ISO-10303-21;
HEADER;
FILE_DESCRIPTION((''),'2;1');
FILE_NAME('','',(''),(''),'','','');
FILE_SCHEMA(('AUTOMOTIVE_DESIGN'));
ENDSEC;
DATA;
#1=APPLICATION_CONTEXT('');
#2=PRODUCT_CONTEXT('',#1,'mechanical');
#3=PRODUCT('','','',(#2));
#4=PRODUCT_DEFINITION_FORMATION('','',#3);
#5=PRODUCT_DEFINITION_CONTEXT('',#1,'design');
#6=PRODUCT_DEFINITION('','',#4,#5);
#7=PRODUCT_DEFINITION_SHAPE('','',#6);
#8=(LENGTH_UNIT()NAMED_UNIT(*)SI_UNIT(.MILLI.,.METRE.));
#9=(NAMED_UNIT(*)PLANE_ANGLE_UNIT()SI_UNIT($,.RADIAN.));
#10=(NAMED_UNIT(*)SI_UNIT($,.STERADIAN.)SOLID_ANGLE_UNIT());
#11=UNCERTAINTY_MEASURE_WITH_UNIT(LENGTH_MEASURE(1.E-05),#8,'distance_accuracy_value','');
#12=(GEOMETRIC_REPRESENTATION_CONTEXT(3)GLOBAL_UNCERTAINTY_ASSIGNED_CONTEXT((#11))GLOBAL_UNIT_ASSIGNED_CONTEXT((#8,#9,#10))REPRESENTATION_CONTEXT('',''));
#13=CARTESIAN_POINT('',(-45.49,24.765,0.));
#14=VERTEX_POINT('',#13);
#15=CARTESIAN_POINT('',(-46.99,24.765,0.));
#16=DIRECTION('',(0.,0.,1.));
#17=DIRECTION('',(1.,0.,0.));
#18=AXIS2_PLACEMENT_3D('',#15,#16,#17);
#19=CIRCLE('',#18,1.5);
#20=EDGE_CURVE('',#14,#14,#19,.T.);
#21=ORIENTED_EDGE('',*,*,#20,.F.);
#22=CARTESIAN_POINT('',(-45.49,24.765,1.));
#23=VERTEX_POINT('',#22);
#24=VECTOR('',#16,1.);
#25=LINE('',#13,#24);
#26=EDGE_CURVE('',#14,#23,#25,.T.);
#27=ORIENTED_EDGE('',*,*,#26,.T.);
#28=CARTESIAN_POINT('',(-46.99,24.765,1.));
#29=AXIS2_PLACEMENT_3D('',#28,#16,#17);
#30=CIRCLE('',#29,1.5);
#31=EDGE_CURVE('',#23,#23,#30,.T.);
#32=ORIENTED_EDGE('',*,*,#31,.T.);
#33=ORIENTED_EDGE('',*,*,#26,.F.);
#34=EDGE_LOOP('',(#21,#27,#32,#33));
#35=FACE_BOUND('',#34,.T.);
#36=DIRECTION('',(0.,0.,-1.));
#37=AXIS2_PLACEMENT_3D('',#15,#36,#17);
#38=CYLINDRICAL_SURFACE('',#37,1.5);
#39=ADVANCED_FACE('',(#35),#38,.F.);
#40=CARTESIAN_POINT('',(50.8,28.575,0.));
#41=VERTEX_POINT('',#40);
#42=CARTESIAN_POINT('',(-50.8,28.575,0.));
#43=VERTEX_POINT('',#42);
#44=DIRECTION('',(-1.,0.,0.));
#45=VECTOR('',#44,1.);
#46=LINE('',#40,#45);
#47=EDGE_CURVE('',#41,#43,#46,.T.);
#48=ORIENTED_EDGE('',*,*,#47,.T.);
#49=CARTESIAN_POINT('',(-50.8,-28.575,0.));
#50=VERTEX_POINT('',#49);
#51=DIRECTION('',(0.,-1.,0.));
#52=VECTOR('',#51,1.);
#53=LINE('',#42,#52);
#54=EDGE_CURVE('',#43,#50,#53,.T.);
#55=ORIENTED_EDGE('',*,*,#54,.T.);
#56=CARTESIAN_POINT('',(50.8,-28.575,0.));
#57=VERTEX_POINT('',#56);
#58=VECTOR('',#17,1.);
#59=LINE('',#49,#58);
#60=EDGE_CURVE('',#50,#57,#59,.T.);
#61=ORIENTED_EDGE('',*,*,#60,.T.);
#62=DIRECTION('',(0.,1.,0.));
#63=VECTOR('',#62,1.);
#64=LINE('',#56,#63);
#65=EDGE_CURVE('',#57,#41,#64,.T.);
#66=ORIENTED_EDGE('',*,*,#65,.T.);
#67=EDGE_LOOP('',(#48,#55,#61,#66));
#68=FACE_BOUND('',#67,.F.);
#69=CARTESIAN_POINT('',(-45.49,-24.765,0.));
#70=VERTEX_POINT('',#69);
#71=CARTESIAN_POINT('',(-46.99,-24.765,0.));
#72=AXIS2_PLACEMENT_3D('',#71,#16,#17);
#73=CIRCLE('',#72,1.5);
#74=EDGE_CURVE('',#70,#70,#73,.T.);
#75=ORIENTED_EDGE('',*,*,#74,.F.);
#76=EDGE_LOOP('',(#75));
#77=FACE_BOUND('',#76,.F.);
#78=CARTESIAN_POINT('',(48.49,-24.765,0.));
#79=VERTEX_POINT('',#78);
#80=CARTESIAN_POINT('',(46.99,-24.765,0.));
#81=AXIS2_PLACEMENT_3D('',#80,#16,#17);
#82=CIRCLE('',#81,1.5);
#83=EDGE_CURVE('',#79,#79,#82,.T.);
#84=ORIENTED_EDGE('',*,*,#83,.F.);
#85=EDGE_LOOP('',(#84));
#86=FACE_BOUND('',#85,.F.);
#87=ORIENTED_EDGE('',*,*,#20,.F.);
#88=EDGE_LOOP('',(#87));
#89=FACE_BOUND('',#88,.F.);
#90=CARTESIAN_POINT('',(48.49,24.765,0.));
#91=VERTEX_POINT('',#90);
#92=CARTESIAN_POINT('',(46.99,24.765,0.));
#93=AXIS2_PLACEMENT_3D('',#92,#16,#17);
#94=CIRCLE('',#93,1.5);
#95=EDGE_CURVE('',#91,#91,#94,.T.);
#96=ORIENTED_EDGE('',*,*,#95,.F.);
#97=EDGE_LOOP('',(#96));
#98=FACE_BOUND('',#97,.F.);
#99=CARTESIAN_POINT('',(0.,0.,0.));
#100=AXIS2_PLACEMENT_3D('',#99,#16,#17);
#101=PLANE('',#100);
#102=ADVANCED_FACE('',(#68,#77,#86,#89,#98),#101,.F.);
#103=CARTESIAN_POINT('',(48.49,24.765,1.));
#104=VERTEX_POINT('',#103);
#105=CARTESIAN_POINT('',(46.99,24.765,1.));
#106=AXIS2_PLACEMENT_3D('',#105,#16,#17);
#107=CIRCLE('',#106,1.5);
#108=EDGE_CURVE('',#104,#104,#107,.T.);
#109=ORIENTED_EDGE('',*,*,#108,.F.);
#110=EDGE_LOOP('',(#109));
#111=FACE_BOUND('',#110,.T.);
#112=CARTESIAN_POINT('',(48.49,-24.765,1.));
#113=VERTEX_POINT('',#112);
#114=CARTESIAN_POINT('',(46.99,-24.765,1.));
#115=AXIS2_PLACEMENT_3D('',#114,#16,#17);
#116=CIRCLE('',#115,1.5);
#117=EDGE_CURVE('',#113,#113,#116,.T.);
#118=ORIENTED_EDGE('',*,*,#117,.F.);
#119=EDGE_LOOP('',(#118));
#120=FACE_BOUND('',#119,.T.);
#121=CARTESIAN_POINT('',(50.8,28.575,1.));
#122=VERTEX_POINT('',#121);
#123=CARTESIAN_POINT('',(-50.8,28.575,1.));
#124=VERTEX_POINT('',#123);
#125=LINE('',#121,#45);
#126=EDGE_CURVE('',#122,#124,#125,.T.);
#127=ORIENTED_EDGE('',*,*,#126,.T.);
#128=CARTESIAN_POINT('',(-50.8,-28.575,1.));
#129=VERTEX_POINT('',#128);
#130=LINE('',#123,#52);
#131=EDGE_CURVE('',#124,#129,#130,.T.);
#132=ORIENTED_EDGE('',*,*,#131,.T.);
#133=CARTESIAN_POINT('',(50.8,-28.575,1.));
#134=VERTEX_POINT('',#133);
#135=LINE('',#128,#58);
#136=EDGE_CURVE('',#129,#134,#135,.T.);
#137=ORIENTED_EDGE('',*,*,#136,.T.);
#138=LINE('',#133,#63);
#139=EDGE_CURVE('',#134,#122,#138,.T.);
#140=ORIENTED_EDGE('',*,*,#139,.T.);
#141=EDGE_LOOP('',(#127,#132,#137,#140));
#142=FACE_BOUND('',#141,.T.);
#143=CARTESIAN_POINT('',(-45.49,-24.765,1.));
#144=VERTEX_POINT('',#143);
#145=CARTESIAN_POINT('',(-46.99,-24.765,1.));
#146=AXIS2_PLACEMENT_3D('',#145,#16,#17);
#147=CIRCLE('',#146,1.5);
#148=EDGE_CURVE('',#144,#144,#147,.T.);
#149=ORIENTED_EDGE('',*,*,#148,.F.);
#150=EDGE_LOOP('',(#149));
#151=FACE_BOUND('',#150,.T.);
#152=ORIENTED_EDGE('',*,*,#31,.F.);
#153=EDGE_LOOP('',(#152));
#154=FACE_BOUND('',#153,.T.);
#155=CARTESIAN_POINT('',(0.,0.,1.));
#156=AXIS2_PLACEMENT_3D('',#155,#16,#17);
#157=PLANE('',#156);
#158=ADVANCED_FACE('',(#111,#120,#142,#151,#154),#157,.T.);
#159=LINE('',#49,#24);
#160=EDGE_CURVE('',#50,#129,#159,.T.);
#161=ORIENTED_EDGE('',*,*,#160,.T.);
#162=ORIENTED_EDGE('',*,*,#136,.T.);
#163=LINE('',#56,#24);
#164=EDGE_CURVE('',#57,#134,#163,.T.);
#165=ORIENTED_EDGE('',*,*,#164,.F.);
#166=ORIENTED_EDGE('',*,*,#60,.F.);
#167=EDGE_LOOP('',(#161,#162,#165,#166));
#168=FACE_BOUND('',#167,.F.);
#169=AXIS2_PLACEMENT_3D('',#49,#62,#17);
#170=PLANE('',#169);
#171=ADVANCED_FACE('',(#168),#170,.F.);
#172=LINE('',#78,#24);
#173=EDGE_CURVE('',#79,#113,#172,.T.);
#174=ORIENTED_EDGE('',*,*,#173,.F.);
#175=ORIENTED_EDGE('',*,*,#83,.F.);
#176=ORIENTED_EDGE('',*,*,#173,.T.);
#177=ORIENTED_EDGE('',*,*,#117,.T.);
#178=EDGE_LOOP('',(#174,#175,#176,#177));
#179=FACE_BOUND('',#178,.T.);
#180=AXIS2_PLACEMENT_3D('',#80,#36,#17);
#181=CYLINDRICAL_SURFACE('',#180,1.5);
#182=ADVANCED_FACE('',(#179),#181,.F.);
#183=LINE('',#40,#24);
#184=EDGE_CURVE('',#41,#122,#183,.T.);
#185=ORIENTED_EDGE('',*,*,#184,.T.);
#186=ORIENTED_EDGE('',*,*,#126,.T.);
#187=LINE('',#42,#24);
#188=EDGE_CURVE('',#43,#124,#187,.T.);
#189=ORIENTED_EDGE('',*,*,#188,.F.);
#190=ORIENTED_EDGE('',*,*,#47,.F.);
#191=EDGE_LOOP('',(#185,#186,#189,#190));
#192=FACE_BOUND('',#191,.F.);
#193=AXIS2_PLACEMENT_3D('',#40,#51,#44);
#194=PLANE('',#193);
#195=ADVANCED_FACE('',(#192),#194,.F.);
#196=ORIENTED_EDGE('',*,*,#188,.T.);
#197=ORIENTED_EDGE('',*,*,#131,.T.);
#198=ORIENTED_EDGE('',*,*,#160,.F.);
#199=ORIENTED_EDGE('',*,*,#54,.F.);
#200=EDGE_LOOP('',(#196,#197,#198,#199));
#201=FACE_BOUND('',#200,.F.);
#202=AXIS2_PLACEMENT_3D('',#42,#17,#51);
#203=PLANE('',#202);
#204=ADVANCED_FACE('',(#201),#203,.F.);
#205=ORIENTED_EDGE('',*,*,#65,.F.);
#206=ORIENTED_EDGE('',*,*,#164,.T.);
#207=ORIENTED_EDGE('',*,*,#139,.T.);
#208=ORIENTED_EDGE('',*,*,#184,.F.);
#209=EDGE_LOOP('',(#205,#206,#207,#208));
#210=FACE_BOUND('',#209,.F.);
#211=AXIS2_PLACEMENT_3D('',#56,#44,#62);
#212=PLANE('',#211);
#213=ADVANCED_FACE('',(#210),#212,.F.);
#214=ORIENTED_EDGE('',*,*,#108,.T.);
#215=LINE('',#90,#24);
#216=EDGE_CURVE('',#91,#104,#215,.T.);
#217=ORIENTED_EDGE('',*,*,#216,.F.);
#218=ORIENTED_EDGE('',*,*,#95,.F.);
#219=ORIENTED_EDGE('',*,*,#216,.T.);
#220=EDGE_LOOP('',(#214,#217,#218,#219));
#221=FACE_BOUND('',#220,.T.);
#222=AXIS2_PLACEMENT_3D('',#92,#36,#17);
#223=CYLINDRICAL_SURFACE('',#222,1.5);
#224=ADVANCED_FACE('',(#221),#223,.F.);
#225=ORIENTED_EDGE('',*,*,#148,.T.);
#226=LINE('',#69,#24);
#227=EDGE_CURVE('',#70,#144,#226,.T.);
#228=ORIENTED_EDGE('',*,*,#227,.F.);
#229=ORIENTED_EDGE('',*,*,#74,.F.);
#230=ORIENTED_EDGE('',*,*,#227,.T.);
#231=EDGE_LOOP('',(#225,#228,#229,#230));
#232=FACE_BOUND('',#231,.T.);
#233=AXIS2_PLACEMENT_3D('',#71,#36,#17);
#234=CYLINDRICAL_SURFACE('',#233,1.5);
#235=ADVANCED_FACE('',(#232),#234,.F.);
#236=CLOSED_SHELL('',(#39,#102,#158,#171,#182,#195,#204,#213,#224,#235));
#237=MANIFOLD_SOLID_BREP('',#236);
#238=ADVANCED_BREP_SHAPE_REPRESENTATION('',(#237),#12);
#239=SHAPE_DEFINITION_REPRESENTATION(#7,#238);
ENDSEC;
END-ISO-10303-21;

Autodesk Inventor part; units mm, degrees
ref_plane "YZ Plane" through (0, 0, 0) normal (1, 0, 0) x (0, 1, 0)
ref_plane "XZ Plane" through (0, 0, 0) normal (0, 1, 0) x (-1, 0, 0)
ref_plane "XY Plane" through (0, 0, 0) normal (0, 0, 1) x (1, 0, 0)
sketch "Sketch1" plane through (0, 0, 0) normal (0, 0, 1) x (1, 0, 0)
  line L0 (-50.8, -28.575) -> (50.8, -28.575)
  line L1 (50.8, -28.575) -> (50.8, 28.575)
  line L2 (50.8, 28.575) -> (-50.8, 28.575)
  line L3 (-50.8, 28.575) -> (-50.8, -28.575)
  line L4 (-50.8, -28.575) -> (50.8, 28.575) construction
  line L5 (50.8, -28.575) -> (-50.8, 28.575) construction
  circle A0 centre (-46.99, 24.765) radius 1.5
  line L6 (-50.8, 0) -> (50.8, 0) construction
  line L7 (0, 28.575) -> (0, -28.575) construction
  circle A1 centre (-46.99, -24.765) radius 1.5
  circle A2 centre (46.99, 24.765) radius 1.5
  circle A3 centre (46.99, -24.765) radius 1.5
  point P0 (0, 0)
  dimension "d2" = 101.6
  dimension "d4" = 57.15
  dimension "d5" = 49.53
  dimension "d6" = 3
  dimension "d7" = 93.98
extrude "Extrusion1" add sketch "Sketch1" along normal blind 1
properties part number "Microzed01" material "PCB(1)"
